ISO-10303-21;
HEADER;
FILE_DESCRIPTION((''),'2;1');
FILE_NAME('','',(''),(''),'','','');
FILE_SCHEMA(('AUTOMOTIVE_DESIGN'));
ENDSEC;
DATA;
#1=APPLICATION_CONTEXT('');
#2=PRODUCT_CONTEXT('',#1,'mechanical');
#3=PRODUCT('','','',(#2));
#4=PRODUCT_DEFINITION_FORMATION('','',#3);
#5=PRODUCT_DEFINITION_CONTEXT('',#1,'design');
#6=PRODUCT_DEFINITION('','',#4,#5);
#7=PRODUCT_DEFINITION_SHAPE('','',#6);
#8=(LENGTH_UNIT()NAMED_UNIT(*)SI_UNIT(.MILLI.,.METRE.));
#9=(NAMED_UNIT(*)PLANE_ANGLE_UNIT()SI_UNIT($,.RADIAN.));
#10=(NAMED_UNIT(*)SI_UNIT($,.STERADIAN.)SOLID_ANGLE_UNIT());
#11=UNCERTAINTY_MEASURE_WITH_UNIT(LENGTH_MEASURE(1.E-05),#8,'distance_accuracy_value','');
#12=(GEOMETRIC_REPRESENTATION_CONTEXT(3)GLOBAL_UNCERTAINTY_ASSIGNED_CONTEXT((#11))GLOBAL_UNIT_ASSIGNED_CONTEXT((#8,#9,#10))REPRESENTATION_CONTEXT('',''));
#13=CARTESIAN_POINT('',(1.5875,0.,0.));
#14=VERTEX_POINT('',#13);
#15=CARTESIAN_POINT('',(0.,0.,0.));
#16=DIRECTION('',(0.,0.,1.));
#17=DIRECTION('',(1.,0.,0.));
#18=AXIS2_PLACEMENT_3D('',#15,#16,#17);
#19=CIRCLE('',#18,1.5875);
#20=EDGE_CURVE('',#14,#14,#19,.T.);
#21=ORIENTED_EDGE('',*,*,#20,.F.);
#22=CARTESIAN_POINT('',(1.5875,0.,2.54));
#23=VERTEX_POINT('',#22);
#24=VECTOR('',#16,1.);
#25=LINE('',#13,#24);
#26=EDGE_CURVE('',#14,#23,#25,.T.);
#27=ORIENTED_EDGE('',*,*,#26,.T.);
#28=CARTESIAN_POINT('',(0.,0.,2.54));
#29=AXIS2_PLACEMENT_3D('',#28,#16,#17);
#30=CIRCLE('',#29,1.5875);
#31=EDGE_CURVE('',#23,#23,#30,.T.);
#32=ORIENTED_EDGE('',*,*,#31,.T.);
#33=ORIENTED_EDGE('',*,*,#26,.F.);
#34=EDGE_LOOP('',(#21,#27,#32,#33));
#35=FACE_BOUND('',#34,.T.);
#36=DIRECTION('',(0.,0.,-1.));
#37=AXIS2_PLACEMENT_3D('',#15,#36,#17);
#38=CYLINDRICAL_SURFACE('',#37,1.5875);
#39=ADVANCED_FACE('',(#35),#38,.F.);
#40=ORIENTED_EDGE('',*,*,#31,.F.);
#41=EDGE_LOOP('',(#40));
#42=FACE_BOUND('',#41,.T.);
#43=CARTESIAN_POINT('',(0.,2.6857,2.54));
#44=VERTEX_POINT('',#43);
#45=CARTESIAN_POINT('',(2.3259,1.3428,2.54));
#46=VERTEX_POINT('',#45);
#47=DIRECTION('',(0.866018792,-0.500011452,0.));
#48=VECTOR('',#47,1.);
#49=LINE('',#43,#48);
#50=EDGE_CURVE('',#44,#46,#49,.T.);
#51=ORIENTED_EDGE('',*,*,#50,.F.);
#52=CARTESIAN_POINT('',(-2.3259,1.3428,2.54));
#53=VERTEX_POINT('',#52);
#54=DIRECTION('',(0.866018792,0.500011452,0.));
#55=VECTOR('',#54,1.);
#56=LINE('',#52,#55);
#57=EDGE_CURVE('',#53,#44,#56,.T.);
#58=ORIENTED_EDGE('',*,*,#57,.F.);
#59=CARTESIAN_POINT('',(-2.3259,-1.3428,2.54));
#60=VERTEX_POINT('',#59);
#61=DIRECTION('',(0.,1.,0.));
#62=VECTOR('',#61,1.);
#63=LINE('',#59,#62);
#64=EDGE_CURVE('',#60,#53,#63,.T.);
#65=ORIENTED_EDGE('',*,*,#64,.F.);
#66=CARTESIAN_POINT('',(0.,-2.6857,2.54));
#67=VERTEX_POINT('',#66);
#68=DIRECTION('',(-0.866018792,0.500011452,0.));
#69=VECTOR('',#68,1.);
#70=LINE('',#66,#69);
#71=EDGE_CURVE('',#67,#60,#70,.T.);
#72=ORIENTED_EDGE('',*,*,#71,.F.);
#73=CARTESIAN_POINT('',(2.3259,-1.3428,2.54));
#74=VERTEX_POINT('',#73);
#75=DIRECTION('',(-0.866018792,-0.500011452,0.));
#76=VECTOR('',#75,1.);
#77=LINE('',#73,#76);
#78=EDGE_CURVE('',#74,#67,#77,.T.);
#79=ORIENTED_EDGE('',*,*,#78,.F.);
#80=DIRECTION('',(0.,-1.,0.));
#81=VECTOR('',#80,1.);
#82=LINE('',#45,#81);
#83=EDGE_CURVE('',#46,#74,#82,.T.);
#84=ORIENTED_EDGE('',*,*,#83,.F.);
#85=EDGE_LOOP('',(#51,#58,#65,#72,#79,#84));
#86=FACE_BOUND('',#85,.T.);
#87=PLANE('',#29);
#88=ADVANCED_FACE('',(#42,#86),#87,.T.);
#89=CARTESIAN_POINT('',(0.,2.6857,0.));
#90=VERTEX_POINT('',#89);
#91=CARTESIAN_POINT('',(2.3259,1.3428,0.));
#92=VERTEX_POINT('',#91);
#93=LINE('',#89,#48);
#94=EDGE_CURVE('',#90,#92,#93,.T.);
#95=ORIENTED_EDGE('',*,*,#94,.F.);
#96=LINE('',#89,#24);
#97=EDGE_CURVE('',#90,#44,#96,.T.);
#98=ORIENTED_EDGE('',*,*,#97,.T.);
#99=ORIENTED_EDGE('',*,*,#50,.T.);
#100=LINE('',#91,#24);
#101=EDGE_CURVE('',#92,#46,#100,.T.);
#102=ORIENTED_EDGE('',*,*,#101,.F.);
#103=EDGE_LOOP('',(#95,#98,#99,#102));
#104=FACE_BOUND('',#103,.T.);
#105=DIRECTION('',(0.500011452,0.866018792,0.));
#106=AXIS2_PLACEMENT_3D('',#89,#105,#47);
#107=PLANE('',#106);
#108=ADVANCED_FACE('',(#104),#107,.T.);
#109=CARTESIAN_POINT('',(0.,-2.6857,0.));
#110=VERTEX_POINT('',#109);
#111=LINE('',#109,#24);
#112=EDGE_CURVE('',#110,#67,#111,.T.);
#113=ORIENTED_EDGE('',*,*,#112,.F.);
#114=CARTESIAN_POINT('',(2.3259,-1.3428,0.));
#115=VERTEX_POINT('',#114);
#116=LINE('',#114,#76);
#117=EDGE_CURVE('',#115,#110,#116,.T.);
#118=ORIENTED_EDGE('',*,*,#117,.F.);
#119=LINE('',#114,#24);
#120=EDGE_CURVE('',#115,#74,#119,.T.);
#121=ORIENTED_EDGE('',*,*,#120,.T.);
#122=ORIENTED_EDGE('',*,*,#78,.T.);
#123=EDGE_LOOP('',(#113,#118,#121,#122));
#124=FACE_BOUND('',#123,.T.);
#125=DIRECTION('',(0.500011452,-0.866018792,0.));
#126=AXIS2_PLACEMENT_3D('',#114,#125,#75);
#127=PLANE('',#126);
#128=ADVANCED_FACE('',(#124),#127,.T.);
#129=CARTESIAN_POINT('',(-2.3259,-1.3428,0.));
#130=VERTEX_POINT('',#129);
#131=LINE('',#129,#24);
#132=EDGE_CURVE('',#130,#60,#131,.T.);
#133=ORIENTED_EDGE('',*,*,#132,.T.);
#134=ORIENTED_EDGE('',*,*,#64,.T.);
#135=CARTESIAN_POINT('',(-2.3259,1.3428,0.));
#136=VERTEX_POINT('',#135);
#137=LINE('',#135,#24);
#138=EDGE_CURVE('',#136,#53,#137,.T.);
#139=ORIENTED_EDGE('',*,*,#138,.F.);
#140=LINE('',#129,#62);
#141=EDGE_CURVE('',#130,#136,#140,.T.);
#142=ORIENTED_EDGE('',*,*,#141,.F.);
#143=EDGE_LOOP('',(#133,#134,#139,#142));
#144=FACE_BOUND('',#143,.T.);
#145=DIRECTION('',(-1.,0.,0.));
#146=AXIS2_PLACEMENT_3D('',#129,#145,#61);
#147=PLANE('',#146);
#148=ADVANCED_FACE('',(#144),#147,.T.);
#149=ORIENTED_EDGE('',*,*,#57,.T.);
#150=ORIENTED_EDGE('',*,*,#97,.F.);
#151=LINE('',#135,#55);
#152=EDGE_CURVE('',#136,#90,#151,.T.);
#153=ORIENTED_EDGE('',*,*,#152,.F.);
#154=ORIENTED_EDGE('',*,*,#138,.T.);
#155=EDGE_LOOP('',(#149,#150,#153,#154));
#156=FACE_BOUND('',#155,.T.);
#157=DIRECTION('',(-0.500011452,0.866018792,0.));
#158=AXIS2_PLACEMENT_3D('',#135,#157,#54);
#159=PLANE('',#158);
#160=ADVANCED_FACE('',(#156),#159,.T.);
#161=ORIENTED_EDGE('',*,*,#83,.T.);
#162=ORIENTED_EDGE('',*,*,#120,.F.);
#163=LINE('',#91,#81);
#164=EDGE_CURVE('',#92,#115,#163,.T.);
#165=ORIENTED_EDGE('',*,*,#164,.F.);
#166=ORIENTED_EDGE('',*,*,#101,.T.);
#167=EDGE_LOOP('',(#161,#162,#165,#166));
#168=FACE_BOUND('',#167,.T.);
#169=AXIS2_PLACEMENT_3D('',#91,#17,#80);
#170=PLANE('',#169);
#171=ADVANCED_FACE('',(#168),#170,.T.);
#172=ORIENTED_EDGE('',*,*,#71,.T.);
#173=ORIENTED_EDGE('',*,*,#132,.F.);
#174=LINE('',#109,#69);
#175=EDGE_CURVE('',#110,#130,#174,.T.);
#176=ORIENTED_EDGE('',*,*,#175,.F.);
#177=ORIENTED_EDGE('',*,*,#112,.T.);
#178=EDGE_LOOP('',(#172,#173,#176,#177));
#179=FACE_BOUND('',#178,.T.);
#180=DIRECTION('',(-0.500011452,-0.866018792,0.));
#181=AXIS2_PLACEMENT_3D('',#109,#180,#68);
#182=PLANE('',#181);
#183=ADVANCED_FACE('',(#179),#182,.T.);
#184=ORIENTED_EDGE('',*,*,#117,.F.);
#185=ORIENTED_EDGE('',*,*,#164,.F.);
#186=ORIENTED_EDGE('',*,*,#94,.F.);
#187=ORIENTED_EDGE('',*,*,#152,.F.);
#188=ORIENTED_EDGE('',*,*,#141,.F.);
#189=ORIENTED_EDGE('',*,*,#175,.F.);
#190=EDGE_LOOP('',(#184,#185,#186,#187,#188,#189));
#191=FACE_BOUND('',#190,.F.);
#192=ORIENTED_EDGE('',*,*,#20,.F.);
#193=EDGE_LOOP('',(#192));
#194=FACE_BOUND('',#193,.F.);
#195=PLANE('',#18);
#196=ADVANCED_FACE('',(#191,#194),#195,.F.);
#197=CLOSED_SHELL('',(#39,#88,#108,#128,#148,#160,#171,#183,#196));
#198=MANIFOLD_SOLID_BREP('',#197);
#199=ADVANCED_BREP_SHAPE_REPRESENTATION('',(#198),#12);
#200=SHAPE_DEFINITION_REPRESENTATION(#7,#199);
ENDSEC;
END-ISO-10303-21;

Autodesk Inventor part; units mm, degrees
ref_plane "YZ Plane" through (0, 0, 0) normal (1, 0, 0) x (0, 1, 0)
ref_plane "XZ Plane" through (0, 0, 0) normal (0, 1, 0) x (-1, 0, 0)
ref_plane "XY Plane" through (0, 0, 0) normal (0, 0, 1) x (1, 0, 0)
sketch "Sketch1" plane through (0, 0, 0) normal (0, 0, 1) x (1, 0, 0)
  circle A0 centre (0, 0) radius 1.5875
  line L0 (0, 2.6857) -> (2.3259, 1.3428)
  line L1 (2.3259, 1.3428) -> (2.3259, -1.3428)
  line L2 (2.3259, -1.3428) -> (0, -2.6857)
  line L3 (0, -2.6857) -> (-2.3259, -1.3428)
  line L4 (-2.3259, -1.3428) -> (-2.3259, 1.3428)
  line L5 (-2.3259, 1.3428) -> (0, 2.6857)
  dimension "d0" = 3.175
extrude "Extrusion1" add sketch "Sketch1" along normal blind 2.54
sketch "Sketch2" plane through (0, 0, 2.54) normal (0, 0, 1) x (1, 0, 0)
  point P0 (0, 0)
  point P1 (0, 0)
thread "Thread1" size "5-40 UNC" class "2B" standard "ANSI Unified Screw Threads" full length
properties part number ".125nut"
